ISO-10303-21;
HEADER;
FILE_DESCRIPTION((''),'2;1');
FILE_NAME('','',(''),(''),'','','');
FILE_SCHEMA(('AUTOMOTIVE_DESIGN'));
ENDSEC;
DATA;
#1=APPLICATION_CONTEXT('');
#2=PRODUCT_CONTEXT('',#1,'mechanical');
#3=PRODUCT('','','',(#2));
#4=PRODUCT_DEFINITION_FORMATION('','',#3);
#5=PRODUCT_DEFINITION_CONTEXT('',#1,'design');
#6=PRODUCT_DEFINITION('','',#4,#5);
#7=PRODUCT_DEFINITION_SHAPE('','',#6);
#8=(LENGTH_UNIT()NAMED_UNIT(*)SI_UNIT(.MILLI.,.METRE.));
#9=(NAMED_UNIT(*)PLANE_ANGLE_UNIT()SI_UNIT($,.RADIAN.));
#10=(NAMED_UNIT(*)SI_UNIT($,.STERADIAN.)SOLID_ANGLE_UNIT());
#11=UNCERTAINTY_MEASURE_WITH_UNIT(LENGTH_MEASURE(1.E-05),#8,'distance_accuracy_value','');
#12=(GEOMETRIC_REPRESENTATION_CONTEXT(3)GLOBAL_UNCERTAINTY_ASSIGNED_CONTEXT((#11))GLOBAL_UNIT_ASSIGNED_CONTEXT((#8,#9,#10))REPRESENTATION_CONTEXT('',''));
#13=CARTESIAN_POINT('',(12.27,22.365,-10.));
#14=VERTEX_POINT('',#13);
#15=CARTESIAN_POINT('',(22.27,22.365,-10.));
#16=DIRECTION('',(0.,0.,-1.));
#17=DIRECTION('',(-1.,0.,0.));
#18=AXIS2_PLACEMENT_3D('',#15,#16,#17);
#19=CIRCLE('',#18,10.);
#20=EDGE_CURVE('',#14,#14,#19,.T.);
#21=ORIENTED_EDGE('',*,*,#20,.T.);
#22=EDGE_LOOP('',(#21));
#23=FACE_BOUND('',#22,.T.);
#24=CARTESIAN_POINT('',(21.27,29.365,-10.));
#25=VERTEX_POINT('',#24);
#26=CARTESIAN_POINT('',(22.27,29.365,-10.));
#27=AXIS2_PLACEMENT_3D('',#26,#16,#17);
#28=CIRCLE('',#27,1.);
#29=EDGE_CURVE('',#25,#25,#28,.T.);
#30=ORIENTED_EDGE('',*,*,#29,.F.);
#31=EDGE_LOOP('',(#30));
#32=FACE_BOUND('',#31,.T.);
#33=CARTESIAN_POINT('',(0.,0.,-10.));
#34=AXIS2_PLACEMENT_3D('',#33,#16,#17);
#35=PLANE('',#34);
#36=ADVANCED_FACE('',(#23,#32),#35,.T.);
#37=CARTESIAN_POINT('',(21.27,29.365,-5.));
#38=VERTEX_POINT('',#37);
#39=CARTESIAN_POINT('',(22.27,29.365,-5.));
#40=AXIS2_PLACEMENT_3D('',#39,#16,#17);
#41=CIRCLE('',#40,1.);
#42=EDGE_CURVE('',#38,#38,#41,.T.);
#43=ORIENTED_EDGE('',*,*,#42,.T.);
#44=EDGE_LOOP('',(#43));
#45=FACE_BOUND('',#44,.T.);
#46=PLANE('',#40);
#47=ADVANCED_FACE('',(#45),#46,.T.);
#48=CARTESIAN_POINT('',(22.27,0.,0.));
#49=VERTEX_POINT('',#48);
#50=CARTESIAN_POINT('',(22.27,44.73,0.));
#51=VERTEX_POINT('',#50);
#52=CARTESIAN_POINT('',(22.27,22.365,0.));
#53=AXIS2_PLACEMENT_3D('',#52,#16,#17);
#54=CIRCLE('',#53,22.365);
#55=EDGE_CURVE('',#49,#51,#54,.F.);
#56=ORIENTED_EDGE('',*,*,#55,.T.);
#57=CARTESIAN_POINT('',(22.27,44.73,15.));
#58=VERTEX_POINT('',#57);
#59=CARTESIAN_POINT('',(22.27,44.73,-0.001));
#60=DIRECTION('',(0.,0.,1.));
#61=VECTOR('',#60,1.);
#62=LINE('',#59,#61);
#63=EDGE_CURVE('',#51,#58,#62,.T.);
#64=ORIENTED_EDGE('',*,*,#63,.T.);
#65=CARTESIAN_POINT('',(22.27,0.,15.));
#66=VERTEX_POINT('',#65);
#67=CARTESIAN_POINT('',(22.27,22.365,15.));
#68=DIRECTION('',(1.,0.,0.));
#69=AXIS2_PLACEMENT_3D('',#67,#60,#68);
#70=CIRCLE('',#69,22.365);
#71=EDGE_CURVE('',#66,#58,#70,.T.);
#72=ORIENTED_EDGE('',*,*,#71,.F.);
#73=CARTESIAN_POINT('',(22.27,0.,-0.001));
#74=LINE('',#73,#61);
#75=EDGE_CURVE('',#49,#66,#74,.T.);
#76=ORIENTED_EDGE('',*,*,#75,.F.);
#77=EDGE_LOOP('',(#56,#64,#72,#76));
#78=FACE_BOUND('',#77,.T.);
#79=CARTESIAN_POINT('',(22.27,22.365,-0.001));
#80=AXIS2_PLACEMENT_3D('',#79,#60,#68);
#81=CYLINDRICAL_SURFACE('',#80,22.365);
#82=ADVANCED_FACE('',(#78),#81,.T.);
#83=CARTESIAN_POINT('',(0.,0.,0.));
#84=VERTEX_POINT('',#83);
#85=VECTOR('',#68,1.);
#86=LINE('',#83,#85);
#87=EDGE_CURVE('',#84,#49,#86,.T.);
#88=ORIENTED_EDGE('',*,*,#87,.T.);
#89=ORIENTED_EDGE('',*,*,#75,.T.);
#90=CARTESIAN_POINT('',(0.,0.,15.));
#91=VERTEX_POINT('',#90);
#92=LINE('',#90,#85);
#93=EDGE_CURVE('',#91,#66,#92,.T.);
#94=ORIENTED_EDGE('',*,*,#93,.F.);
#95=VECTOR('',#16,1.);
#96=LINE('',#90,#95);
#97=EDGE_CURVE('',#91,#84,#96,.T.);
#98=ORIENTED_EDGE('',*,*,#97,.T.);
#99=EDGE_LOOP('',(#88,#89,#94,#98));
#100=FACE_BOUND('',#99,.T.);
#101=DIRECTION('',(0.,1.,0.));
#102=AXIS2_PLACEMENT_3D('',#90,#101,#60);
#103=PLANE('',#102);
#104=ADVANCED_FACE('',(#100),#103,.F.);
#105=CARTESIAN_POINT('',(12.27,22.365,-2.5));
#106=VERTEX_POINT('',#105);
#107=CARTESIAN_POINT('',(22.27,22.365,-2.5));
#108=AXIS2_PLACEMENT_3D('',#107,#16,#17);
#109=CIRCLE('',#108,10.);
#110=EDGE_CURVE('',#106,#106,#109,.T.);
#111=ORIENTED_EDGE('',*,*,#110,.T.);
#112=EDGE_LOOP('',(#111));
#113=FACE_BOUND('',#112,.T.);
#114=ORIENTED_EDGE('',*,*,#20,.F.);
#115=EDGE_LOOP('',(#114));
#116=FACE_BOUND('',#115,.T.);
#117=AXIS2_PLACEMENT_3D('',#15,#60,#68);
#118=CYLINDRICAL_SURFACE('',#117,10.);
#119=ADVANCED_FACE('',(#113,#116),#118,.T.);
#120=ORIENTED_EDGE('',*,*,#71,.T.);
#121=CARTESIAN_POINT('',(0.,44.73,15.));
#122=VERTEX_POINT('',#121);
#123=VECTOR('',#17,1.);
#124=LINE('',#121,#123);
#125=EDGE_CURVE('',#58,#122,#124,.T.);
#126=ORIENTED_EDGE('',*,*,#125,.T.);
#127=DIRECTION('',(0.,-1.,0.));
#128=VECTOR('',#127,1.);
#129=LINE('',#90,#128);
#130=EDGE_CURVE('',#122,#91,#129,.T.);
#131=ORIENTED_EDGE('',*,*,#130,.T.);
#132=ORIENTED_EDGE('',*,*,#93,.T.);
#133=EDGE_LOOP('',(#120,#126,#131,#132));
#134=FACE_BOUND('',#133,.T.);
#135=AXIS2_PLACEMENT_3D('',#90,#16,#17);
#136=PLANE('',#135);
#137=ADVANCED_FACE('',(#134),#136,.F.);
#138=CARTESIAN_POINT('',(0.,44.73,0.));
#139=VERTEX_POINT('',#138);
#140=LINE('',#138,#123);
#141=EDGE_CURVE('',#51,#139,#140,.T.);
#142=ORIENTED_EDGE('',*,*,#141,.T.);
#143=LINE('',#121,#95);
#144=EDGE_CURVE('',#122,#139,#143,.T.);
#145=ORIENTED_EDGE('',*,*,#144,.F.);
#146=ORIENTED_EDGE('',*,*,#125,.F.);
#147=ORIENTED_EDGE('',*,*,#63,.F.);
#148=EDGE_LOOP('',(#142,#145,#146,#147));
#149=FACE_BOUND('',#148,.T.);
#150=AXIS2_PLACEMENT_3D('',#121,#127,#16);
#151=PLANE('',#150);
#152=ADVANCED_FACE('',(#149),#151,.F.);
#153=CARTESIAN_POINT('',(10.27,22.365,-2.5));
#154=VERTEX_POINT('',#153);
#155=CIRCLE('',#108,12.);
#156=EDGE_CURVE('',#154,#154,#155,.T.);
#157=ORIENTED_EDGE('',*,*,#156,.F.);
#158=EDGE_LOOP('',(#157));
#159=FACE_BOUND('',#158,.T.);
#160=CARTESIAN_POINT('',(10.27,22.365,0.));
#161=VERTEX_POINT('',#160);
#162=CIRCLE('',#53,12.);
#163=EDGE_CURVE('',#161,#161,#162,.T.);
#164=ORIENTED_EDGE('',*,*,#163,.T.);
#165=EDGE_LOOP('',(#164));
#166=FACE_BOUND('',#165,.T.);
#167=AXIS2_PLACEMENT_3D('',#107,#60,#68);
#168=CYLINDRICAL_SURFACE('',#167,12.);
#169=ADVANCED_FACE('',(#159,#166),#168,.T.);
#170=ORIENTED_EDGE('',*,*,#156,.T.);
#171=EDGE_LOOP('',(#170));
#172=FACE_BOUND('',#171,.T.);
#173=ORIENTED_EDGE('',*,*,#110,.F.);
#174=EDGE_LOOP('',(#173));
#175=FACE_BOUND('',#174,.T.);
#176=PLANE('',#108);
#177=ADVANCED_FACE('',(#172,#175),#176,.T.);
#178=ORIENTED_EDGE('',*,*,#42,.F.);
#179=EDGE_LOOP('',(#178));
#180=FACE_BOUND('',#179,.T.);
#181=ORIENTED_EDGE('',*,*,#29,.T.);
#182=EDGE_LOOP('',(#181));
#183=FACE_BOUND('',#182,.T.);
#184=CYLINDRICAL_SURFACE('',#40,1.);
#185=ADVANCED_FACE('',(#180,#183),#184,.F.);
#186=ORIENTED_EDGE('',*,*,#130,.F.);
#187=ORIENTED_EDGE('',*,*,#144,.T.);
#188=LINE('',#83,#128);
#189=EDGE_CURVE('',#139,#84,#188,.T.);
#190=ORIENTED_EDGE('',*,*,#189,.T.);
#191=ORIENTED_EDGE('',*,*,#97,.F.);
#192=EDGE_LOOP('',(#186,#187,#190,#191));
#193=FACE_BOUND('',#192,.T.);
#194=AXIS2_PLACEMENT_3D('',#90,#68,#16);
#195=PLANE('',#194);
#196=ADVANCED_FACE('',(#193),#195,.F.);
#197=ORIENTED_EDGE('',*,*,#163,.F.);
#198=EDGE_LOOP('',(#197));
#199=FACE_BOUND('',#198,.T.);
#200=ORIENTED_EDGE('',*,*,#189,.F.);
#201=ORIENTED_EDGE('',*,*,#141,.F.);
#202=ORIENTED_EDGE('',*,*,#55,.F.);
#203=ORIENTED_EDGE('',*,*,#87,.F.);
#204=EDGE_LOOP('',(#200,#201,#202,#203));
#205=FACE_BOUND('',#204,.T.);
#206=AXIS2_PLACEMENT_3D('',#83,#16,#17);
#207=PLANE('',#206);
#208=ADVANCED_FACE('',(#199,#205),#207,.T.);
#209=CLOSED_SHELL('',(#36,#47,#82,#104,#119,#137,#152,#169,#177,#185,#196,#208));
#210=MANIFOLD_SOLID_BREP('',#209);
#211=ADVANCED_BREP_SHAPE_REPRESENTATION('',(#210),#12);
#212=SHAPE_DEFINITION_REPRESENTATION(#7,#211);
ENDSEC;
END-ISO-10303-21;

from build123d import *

# Parameters (mm, degrees)
SKETCH_1_W          = 189.06
SKETCH_1_H          = 44.73
EXTRUDE_1_DEPTH     = 15
CUT_EXTRUDE_4_REACH = 196.858
SKETCH_6_R          = 10
EXTRUDE_2_DEPTH     = 10
SKETCH_7_R          = 1
CUT_EXTRUDE_6_DEPTH = 5
SKETCH_8_R          = 12
SKETCH_8_R_2        = 10
EXTRUDE_3_DEPTH     = 2.5


with BuildPart() as part:
    # 草图1 → 凸台-拉伸1 (new body)
    with BuildSketch(Plane.XY):
        with Locations((94.53, 22.365)):
            Rectangle(SKETCH_1_W, SKETCH_1_H)
    extrude(amount=EXTRUDE_1_DEPTH)

    # 草图4 → 切除-拉伸4 (cut, up to next)
    with BuildSketch(Plane.XY.offset(15), mode=Mode.PRIVATE) as cut_extrude_4_sk1:
        with BuildLine():
            Line((22.27, 44.73), (189.06, 44.73))
            Line((189.06, 44.73), (189.06, 0))
            Line((189.06, 0), (22.27, 0))
            ThreePointArc((22.27, 0), (44.635, 22.365), (22.27, 44.73))
        make_face()
    cut_extrude_4_tool1 = extrude(cut_extrude_4_sk1.sketch, amount=-CUT_EXTRUDE_4_REACH, mode=Mode.PRIVATE) & part.part
    add(cut_extrude_4_tool1.solids().sort_by_distance((114.364224, 22.365, 15))[0], mode=Mode.SUBTRACT)

    # 草图6 → 凸台-拉伸2 (add)
    with BuildSketch(Plane(origin=(0, 0, 0), x_dir=(-1, 0, 0), z_dir=(0, 0, -1))):
        with Locations((-22.27, 22.365)):
            Circle(SKETCH_6_R)
    extrude(amount=EXTRUDE_2_DEPTH)

    # 草图7 → 切除-拉伸6 (cut)
    with BuildSketch(Plane(origin=(0, 0, -10), x_dir=(-1, 0, 0), z_dir=(0, 0, -1))):
        with Locations((-22.27, 29.365)):
            Circle(SKETCH_7_R)
        with Locations((-15.27, -108.576623388)):
            Circle(SKETCH_7_R)
        with Locations((-153.211623388, -115.576623388)):
            Circle(SKETCH_7_R)
        with Locations((-160.211623388, 22.365)):
            Circle(SKETCH_7_R)
    extrude(amount=-CUT_EXTRUDE_6_DEPTH, mode=Mode.SUBTRACT)

    # 草图8 → 凸台-拉伸3 (add)
    with BuildSketch(Plane(origin=(0, 0, 0), x_dir=(-1, 0, 0), z_dir=(0, 0, -1))):
        with Locations((-22.27, 22.365)):
            Circle(SKETCH_8_R)
        with Locations((-22.27, 22.365)):
            Circle(SKETCH_8_R_2, mode=Mode.SUBTRACT)
    extrude(amount=EXTRUDE_3_DEPTH)


solid = part.part
